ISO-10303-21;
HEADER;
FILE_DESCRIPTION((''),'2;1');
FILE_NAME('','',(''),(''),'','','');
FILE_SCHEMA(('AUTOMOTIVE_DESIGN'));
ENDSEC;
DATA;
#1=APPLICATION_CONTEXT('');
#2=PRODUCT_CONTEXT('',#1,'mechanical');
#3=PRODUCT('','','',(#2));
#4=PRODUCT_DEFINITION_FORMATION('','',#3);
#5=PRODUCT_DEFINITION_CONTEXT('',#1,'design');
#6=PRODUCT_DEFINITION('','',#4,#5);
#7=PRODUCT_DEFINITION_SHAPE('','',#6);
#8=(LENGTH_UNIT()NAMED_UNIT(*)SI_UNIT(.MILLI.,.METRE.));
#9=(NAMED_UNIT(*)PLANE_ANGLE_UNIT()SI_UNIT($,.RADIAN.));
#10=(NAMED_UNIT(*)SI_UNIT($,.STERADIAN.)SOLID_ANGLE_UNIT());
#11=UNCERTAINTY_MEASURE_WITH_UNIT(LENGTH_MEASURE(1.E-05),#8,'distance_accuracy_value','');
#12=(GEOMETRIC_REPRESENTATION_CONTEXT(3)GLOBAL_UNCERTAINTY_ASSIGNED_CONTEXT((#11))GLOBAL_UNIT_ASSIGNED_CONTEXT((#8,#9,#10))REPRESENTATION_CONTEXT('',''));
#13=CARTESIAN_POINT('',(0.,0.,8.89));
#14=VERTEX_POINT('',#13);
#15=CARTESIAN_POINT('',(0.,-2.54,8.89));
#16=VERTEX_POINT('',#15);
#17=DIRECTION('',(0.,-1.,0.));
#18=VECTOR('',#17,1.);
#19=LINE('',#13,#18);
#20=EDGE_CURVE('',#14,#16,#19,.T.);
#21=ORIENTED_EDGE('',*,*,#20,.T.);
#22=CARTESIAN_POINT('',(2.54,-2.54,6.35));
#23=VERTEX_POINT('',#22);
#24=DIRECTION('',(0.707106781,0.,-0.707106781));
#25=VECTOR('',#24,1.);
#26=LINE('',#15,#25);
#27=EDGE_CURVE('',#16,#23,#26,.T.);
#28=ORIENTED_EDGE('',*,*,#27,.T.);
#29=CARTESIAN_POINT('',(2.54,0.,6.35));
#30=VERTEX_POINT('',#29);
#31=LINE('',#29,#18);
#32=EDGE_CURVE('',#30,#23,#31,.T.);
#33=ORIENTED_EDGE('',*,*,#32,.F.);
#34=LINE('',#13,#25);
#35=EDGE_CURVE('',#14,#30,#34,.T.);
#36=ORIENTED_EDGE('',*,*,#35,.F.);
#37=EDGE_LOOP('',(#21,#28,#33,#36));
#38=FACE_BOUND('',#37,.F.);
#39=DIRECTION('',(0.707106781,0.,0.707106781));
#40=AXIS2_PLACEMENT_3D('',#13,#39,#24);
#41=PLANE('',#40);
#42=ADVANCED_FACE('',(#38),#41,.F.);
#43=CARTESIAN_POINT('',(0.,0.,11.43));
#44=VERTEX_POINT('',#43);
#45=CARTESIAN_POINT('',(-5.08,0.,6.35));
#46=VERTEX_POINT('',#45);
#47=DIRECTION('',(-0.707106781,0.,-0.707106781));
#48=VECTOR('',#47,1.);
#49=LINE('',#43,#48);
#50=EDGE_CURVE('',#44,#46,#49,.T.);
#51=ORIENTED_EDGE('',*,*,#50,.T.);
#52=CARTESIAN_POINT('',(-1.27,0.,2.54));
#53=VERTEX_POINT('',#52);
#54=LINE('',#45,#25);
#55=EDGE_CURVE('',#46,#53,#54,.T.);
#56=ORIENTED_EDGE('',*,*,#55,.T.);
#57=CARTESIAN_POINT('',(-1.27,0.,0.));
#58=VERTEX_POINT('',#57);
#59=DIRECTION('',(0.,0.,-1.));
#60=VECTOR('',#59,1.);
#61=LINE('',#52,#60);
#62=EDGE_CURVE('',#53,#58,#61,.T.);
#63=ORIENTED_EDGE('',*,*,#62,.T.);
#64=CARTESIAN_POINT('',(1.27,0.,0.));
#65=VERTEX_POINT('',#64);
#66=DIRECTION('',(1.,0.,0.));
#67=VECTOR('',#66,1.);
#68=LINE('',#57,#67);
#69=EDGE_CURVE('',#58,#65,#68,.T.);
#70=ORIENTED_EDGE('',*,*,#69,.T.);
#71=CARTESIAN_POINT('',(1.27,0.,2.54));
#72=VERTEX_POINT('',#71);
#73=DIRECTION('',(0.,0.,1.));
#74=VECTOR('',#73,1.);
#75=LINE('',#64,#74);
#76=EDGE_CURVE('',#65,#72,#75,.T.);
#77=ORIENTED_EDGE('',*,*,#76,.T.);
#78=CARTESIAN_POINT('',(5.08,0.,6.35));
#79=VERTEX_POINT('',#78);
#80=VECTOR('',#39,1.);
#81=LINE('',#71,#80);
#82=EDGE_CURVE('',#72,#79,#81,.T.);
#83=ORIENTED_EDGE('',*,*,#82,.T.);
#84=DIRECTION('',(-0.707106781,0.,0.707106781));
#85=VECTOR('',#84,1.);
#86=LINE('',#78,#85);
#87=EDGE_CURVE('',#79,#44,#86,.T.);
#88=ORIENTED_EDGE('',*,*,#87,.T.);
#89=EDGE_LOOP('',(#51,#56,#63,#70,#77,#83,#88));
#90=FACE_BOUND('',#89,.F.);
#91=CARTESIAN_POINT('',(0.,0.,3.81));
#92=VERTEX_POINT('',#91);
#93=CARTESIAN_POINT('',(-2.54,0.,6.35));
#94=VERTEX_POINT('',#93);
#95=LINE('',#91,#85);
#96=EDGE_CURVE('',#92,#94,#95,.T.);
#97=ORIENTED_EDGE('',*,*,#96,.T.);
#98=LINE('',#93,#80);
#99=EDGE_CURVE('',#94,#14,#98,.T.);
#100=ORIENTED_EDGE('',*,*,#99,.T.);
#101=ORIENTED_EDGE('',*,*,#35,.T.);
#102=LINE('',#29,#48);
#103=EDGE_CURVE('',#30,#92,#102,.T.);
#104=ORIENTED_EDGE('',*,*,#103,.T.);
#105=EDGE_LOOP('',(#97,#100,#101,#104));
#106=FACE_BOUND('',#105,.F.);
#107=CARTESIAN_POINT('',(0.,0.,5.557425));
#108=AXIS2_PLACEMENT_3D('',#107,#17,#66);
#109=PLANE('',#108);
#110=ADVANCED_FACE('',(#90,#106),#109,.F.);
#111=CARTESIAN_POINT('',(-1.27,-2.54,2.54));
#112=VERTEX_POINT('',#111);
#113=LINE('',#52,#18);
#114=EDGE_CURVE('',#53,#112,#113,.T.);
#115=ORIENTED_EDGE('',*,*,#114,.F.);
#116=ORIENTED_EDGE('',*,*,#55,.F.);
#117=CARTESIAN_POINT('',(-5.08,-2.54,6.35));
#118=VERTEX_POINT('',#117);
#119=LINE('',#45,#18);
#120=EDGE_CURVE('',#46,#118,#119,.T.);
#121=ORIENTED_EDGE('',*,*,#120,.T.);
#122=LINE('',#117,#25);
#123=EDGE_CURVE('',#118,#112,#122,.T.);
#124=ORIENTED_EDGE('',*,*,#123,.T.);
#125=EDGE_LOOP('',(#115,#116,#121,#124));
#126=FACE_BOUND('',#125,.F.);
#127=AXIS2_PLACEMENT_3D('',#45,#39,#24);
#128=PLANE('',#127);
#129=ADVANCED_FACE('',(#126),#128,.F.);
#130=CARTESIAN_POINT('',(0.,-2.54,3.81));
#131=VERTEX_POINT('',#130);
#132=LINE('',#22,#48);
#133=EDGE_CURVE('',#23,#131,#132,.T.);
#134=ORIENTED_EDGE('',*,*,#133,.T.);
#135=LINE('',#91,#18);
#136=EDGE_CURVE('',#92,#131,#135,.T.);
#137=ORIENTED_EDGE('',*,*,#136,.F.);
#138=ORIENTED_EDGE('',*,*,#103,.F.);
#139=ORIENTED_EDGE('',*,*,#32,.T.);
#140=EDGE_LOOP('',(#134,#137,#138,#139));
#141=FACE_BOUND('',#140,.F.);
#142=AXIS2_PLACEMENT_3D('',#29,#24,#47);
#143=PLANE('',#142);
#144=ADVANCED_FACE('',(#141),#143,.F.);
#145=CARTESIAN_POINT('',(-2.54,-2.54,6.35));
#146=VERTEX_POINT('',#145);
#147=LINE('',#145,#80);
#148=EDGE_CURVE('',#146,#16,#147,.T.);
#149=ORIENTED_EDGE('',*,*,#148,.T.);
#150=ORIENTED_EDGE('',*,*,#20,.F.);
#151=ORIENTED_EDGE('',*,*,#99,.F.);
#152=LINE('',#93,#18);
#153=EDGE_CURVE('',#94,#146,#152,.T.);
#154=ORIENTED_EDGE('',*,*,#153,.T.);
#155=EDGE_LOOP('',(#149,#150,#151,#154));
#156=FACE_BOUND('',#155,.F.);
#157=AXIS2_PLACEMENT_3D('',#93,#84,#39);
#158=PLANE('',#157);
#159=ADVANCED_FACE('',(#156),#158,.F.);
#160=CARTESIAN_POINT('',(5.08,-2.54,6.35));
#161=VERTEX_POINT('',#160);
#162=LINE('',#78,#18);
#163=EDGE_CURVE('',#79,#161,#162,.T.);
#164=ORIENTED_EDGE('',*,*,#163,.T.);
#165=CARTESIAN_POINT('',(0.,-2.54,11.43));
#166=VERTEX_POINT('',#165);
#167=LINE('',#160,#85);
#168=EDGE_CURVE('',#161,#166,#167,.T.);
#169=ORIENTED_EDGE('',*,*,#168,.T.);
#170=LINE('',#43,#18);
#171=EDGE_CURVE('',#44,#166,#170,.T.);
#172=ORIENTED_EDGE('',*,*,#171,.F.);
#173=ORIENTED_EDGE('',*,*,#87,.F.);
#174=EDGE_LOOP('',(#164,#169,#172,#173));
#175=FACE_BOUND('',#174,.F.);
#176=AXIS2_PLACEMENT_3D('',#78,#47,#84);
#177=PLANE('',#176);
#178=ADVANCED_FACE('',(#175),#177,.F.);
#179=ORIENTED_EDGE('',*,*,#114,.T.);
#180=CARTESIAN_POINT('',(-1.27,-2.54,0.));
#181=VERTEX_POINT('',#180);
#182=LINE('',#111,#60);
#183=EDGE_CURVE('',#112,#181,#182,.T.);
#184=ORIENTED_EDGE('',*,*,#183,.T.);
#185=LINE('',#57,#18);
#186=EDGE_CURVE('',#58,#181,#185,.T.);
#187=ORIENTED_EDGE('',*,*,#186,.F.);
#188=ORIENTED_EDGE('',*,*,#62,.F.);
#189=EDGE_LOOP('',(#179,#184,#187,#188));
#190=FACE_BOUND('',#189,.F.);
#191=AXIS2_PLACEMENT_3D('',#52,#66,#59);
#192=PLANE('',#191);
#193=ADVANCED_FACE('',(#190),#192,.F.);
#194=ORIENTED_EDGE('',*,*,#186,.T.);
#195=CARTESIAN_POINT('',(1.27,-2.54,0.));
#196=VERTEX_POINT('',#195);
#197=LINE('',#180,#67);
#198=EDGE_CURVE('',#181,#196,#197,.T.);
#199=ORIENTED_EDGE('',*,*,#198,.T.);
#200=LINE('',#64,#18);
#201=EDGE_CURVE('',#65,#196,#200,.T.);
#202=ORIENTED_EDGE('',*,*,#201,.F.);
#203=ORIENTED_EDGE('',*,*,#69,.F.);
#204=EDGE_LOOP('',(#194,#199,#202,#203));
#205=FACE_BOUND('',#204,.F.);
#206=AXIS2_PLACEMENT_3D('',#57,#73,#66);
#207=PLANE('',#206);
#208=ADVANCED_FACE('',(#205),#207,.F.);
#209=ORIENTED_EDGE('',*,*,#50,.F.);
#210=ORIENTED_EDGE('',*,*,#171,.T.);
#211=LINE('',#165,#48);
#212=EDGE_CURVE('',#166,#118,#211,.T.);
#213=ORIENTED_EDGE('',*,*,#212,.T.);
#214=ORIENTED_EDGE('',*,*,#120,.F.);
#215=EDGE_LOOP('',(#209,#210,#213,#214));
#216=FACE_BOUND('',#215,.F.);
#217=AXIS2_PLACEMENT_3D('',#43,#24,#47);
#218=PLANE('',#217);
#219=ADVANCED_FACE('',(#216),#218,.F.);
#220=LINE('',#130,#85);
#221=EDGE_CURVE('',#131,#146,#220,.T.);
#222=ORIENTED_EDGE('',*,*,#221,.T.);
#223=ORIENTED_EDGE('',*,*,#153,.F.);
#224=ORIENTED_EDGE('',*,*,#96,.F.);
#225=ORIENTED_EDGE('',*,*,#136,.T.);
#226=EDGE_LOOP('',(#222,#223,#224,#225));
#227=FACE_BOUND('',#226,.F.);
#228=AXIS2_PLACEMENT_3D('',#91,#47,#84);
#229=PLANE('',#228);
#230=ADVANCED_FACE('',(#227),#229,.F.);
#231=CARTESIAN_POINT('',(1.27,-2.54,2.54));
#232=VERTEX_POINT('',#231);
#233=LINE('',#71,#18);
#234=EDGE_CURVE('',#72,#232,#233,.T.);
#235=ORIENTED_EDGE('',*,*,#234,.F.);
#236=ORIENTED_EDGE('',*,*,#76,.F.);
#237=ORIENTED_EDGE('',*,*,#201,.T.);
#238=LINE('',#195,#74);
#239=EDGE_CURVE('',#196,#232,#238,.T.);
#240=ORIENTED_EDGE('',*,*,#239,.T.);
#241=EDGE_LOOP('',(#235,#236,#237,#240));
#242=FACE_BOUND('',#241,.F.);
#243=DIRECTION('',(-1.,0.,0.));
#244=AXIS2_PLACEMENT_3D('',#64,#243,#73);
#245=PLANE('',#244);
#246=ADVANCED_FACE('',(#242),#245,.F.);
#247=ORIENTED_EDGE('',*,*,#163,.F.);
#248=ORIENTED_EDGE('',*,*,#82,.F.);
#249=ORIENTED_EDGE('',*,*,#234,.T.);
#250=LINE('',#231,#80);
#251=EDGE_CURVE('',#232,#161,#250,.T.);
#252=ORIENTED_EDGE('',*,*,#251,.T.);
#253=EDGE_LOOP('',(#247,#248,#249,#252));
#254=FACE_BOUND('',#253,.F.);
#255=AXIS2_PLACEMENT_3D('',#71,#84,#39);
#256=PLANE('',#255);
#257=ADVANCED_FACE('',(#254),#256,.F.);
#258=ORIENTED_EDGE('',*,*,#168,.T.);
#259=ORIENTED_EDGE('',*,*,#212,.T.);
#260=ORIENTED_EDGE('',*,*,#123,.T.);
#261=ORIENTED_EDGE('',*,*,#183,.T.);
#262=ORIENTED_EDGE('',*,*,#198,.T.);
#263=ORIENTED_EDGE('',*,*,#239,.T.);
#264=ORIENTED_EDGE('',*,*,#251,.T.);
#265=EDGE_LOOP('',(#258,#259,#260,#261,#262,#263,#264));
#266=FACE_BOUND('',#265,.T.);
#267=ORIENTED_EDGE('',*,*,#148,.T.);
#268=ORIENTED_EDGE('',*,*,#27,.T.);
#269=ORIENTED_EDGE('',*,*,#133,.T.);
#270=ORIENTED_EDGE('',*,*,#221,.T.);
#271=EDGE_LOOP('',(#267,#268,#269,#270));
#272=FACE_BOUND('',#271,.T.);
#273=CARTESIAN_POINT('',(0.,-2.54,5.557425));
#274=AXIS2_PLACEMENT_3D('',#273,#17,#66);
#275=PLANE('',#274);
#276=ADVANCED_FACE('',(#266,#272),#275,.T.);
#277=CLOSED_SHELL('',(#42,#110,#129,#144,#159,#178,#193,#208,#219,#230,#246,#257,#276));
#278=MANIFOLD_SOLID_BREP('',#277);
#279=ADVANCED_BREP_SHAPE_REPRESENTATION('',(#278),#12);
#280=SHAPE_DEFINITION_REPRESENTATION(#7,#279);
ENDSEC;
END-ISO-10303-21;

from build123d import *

# Parameters (mm, degrees)
F1_DEPTH = 2.54


with BuildPart() as f1:
    # F0 (on Front) → F1 (new body)
    with BuildSketch(Plane.XZ):
        Polygon((-1.27, 0), (0, 0), (1.27, 0), (1.27, 2.54), (5.08, 6.35), (0, 11.43), (-5.08, 6.35), (-1.27, 2.54), align=None)
        Polygon((2.54, 6.35), (0, 3.81), (-2.54, 6.35), (0, 8.89), align=None, mode=Mode.SUBTRACT)
    extrude(amount=F1_DEPTH)


solid = f1.part
